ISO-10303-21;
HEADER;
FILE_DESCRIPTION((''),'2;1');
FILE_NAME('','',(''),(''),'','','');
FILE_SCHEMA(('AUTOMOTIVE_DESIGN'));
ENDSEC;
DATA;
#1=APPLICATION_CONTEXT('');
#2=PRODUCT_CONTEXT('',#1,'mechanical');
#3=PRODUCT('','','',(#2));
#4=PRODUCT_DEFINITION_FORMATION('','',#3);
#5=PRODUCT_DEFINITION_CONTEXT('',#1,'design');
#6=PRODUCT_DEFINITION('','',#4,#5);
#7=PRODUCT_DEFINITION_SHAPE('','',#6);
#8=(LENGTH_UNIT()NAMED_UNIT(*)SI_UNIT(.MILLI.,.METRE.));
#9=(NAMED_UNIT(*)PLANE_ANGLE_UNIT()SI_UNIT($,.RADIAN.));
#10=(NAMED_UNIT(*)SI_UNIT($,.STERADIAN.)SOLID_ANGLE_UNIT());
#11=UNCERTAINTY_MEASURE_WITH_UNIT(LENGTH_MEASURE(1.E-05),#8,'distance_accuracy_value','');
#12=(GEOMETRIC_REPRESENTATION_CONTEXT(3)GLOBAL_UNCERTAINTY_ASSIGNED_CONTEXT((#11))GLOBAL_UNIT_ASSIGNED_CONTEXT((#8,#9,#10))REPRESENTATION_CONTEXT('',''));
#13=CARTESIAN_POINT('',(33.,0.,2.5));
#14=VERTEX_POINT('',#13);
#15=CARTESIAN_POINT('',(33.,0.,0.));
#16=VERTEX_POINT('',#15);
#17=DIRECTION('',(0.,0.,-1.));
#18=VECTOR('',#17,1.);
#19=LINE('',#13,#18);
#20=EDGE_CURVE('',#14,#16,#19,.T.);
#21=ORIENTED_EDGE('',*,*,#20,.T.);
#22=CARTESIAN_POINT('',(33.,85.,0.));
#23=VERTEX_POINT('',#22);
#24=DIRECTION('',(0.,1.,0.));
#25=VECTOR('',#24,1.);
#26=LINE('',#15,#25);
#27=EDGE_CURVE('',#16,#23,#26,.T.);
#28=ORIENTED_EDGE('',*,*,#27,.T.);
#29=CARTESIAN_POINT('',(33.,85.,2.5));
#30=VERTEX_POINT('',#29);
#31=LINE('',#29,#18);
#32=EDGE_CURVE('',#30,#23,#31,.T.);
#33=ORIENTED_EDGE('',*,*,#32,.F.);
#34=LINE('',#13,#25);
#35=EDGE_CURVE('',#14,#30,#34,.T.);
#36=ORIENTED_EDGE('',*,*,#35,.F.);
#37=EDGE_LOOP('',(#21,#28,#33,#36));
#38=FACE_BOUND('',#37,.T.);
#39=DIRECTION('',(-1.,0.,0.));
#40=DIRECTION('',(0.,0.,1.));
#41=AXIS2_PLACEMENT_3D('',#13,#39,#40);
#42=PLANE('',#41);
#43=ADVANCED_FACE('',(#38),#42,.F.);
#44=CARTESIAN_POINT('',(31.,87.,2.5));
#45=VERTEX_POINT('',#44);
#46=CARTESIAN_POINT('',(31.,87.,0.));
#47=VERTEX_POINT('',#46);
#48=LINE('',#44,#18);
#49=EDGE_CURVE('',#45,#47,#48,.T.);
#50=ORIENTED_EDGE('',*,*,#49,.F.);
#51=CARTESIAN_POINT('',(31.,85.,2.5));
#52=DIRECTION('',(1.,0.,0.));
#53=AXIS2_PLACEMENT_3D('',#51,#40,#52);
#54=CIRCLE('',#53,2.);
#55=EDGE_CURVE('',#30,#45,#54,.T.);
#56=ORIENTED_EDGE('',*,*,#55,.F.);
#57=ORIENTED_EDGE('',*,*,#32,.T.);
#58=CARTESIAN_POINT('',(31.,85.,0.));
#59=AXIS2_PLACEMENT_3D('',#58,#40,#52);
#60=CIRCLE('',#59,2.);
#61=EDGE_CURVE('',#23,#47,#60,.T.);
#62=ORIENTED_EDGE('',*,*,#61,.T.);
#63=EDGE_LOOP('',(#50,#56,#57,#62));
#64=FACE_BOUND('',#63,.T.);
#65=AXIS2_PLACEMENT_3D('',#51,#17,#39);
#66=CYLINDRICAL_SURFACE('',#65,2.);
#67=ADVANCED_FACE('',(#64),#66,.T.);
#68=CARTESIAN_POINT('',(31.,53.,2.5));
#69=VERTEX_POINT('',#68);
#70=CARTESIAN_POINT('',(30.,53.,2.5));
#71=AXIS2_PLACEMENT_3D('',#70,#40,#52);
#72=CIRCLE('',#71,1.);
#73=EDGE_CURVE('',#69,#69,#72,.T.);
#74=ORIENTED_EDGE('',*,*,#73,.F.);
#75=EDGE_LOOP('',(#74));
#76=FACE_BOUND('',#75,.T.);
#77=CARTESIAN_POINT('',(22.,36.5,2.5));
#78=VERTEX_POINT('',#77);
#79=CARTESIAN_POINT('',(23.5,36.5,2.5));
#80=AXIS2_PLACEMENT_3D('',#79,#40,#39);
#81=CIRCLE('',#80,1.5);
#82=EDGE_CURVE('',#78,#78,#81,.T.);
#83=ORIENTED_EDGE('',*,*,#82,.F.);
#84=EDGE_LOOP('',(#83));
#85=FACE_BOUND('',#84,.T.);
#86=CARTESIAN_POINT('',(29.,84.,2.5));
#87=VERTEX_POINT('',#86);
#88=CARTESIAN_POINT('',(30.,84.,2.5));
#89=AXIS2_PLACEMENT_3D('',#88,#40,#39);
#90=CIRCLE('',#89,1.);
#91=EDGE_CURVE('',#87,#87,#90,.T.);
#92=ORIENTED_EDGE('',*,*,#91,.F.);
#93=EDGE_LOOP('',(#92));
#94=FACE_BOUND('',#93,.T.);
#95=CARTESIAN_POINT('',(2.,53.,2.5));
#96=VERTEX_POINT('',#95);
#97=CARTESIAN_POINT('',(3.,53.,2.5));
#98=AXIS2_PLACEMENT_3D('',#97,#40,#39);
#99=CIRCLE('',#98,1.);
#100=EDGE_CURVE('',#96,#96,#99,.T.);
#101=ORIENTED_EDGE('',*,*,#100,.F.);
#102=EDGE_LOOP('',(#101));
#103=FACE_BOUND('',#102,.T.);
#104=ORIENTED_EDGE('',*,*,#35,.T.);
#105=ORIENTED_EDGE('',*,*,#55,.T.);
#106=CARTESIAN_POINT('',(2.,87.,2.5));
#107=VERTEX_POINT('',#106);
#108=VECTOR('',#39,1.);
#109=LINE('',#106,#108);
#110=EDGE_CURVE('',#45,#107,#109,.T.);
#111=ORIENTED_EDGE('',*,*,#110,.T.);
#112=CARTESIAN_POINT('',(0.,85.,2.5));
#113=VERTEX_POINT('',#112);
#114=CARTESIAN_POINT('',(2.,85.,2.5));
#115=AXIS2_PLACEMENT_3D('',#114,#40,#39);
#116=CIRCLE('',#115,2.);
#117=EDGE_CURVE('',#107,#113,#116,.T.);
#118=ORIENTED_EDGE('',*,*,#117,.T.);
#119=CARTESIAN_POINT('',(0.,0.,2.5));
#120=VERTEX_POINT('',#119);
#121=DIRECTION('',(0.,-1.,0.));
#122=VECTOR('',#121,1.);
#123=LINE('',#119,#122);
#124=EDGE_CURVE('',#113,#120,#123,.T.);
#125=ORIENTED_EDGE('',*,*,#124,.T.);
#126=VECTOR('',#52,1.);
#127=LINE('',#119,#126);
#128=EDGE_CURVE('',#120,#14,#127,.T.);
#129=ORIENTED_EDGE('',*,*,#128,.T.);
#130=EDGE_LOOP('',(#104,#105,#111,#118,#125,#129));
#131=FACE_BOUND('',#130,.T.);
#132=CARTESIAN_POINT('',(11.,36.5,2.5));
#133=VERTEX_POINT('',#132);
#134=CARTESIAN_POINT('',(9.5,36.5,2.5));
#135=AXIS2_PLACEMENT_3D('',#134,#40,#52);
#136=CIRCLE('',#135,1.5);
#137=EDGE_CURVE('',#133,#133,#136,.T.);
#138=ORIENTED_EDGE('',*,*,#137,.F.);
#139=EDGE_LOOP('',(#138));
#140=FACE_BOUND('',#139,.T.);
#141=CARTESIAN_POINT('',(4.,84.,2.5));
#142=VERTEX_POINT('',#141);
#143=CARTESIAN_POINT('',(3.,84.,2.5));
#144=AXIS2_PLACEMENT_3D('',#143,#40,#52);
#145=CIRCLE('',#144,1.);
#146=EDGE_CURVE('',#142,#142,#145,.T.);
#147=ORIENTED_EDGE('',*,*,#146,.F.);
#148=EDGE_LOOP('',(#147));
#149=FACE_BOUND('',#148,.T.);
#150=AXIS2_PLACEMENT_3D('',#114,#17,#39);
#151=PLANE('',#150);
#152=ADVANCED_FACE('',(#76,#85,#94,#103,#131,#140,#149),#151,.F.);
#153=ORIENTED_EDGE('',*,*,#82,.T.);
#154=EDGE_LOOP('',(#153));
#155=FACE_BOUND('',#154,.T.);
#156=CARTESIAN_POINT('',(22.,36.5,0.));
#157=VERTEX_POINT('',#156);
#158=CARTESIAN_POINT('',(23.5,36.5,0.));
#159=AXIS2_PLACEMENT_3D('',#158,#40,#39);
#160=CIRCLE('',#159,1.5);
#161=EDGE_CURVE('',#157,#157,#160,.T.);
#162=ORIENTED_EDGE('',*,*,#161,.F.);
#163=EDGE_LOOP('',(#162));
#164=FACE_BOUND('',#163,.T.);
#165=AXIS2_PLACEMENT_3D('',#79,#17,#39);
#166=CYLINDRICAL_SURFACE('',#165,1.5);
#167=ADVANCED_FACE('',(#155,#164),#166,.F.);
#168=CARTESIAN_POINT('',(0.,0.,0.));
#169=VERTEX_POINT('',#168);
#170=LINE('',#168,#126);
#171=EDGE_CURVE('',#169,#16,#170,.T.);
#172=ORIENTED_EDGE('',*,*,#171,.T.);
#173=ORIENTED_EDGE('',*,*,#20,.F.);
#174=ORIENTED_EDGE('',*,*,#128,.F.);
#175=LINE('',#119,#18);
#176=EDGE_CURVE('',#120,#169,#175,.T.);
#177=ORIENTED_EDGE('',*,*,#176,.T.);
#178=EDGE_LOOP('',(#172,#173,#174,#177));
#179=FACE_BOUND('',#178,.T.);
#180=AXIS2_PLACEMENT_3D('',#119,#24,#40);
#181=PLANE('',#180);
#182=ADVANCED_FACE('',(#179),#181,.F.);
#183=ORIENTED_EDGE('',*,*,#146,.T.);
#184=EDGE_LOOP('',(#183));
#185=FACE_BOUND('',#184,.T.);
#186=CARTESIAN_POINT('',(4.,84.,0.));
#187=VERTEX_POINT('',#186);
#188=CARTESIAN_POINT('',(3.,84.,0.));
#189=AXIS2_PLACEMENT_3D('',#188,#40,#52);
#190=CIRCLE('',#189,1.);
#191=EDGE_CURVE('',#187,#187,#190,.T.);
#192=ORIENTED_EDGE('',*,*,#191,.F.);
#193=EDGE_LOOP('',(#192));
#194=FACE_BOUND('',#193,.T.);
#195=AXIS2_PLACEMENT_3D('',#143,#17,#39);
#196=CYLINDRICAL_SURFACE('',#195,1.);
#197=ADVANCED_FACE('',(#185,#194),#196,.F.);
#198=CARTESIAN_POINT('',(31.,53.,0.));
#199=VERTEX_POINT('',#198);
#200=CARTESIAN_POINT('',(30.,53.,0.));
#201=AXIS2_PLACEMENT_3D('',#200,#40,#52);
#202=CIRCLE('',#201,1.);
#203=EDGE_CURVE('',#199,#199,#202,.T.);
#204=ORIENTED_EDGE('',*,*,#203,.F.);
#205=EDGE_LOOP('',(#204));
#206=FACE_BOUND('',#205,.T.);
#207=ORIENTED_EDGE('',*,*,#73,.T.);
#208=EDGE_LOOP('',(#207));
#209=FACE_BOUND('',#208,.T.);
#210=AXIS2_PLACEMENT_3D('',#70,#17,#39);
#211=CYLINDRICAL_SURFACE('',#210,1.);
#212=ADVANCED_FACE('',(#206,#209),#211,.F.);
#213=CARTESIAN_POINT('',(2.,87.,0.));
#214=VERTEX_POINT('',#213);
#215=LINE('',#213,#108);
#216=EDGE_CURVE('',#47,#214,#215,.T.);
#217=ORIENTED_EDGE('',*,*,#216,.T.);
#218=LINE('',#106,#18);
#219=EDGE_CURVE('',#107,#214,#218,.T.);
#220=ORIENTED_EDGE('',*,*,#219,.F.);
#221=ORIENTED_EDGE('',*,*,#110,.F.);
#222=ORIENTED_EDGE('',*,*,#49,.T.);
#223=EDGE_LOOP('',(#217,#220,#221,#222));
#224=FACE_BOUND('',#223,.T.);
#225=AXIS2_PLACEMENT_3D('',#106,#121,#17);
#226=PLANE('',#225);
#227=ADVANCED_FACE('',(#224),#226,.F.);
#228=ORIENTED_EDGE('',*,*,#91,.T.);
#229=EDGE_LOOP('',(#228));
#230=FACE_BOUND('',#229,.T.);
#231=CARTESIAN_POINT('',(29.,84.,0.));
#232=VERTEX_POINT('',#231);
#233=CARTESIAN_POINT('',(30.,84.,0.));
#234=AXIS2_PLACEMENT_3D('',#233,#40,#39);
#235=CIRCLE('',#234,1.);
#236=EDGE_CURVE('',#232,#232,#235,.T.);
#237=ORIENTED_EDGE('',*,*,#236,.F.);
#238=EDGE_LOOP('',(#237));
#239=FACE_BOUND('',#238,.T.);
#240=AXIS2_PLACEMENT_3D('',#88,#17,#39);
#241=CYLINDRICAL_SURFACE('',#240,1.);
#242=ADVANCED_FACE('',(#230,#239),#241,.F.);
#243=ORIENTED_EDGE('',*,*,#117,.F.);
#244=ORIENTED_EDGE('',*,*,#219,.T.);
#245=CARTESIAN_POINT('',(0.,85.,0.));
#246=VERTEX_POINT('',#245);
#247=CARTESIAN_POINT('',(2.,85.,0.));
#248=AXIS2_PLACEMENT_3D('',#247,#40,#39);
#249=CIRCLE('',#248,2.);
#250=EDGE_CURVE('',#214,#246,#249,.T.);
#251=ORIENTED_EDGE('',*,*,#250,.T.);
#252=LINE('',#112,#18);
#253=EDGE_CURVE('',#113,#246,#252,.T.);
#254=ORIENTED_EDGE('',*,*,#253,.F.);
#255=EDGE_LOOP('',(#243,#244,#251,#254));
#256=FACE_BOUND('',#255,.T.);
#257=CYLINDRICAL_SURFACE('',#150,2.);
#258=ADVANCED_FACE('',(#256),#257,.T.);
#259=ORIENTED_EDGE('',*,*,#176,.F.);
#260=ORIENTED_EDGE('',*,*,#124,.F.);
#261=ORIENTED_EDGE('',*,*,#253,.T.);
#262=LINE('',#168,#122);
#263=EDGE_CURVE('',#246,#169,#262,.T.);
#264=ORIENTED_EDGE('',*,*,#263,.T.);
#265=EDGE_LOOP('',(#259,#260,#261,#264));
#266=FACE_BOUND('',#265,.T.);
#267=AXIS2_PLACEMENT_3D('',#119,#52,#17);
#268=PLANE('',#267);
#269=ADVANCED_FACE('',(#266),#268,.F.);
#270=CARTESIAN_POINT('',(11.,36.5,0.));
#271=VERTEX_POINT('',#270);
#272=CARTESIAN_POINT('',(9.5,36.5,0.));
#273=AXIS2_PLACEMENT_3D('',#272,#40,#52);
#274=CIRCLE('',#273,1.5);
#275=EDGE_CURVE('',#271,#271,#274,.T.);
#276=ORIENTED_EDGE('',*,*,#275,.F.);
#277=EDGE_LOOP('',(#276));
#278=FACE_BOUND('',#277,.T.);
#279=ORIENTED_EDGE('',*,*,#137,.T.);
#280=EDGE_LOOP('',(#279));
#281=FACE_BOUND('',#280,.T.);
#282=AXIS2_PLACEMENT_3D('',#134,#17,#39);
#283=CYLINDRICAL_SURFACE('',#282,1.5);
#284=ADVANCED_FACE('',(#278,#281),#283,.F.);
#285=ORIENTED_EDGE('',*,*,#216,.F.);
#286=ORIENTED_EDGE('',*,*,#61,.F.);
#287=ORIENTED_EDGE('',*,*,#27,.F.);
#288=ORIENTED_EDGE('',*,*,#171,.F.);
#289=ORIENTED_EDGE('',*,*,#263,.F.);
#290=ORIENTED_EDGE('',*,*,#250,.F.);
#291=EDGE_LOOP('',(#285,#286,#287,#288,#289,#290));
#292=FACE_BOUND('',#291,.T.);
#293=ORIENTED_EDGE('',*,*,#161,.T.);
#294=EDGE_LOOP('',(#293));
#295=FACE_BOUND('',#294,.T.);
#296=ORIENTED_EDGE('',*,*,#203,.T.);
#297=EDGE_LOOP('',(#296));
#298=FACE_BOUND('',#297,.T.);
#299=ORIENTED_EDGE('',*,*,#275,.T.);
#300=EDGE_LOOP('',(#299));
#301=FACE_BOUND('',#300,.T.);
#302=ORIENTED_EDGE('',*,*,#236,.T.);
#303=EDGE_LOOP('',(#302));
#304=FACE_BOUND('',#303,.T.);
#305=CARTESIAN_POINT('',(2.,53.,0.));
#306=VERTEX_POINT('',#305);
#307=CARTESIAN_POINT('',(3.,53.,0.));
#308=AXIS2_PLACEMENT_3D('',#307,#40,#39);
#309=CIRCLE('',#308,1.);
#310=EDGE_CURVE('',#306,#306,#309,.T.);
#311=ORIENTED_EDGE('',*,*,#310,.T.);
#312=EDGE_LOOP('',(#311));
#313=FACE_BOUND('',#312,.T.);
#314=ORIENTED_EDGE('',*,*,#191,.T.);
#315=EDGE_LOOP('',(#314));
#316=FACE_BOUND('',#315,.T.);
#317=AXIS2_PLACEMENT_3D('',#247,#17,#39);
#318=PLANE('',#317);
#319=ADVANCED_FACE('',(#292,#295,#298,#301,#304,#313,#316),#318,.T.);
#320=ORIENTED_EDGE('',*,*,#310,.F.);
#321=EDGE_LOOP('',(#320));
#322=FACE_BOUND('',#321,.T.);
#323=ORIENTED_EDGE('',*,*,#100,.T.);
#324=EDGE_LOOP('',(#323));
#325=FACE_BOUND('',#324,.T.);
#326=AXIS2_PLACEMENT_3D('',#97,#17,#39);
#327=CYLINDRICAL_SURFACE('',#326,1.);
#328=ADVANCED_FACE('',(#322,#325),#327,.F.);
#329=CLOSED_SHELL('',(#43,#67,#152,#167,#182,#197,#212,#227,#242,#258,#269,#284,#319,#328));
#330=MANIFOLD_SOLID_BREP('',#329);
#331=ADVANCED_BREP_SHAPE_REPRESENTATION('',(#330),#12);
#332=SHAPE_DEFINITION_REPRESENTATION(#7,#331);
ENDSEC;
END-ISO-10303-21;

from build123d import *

# Parameters (mm, degrees)
SKETCH1_R           = 1
SKETCH1_R_2         = 1.5
BOSS_EXTRUDE1_DEPTH = 2.5


with BuildPart() as part:
    # Sketch1 → Boss-Extrude1 (new body)
    with BuildSketch(Plane.XY):
        with BuildLine():
            Line((0, 0), (33, 0))
            Line((33, 0), (33, 85))
            ThreePointArc((33, 85), (32.414213562, 86.414213562), (31, 87))
            Line((31, 87), (2, 87))
            ThreePointArc((2, 87), (0.585786438, 86.414213562), (0, 85))
            Line((0, 85), (0, 0))
        make_face()
        with Locations((3, 84)):
            Circle(SKETCH1_R, mode=Mode.SUBTRACT)
        with Locations(Location((3, 53, 0), (0, 0, 180))):
            Circle(SKETCH1_R, mode=Mode.SUBTRACT)
        with Locations((9.5, 36.5)):
            Circle(SKETCH1_R_2, mode=Mode.SUBTRACT)
        with Locations(Location((23.5, 36.5, 0), (0, 0, 180))):
            Circle(SKETCH1_R_2, mode=Mode.SUBTRACT)
        with Locations((30, 53)):
            Circle(SKETCH1_R, mode=Mode.SUBTRACT)
        with Locations(Location((30, 84, 0), (0, 0, 180))):
            Circle(SKETCH1_R, mode=Mode.SUBTRACT)
    extrude(amount=BOSS_EXTRUDE1_DEPTH)


solid = part.part
